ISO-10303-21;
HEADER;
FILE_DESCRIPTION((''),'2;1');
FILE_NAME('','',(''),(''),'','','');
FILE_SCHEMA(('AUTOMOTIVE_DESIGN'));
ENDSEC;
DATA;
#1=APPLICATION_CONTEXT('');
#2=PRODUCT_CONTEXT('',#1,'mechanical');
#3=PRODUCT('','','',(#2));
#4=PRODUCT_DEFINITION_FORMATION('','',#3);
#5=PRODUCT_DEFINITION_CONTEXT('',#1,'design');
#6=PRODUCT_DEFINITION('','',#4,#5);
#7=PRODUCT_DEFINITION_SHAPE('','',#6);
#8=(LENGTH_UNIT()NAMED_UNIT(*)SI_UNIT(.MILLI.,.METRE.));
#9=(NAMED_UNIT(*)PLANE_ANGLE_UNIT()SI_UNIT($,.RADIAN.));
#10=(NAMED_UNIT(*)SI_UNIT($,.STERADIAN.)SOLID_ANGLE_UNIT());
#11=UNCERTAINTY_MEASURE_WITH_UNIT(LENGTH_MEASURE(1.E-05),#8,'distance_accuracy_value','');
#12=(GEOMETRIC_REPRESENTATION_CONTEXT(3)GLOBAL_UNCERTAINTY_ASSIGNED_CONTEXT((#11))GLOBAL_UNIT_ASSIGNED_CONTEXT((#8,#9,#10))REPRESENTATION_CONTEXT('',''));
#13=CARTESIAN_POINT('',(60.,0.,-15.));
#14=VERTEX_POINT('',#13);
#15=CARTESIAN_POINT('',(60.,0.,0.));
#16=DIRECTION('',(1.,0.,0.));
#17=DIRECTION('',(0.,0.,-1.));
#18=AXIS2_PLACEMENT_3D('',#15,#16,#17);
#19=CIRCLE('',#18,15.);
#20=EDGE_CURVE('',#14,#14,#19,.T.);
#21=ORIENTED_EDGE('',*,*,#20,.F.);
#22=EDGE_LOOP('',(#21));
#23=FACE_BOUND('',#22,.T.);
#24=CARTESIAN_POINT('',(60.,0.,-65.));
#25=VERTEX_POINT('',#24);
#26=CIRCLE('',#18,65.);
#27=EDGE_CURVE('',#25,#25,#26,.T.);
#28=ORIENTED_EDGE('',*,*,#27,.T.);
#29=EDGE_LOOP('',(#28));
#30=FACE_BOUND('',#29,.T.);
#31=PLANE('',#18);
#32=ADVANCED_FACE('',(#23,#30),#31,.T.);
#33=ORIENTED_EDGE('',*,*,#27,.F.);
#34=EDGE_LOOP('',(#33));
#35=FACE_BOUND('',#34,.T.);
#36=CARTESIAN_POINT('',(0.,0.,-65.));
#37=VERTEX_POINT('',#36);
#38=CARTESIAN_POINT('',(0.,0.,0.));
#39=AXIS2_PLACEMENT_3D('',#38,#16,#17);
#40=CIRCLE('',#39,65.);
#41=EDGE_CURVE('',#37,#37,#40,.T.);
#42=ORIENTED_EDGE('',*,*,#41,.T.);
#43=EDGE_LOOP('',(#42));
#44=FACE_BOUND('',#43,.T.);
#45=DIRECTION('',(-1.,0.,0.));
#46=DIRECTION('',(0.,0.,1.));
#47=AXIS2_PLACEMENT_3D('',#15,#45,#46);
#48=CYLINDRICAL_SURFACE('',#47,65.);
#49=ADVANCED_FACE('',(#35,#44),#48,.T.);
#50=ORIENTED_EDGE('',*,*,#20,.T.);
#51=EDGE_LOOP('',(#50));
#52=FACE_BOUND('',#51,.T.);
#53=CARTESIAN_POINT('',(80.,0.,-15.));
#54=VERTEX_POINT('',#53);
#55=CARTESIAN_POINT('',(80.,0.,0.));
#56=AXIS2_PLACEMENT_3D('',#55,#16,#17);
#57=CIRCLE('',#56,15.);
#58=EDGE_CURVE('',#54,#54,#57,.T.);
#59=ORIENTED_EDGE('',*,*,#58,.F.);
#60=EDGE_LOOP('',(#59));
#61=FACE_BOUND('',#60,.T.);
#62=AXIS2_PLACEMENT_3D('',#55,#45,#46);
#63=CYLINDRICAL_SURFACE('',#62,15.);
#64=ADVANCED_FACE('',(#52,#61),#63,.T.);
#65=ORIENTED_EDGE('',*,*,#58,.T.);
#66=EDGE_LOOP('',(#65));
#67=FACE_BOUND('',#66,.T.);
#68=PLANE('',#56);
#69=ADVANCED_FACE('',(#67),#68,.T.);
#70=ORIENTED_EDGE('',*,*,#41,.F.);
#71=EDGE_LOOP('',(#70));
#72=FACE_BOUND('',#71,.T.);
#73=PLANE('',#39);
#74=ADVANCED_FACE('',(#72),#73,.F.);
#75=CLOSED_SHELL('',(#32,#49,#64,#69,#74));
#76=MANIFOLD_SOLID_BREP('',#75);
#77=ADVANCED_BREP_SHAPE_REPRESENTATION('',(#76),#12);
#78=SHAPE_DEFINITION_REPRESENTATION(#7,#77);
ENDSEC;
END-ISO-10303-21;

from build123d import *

# Parameters (mm, degrees)
SKETCH1_R           = 65
BOSS_EXTRUDE1_DEPTH = 60
SKETCH2_R           = 15
BOSS_EXTRUDE2_DEPTH = 20


with BuildPart() as part:
    # Sketch1 → Boss-Extrude1 (new body)
    with BuildSketch(Plane(origin=(0, 0, 0), x_dir=(0, 0, -1), z_dir=(1, 0, 0))):
        Circle(SKETCH1_R)
    extrude(amount=BOSS_EXTRUDE1_DEPTH)

    # Sketch2 → Boss-Extrude2 (add)
    with BuildSketch(Plane(origin=(60, 0, 0), x_dir=(0, 0, -1), z_dir=(1, 0, 0))):
        Circle(SKETCH2_R)
    extrude(amount=BOSS_EXTRUDE2_DEPTH)


solid = part.part
